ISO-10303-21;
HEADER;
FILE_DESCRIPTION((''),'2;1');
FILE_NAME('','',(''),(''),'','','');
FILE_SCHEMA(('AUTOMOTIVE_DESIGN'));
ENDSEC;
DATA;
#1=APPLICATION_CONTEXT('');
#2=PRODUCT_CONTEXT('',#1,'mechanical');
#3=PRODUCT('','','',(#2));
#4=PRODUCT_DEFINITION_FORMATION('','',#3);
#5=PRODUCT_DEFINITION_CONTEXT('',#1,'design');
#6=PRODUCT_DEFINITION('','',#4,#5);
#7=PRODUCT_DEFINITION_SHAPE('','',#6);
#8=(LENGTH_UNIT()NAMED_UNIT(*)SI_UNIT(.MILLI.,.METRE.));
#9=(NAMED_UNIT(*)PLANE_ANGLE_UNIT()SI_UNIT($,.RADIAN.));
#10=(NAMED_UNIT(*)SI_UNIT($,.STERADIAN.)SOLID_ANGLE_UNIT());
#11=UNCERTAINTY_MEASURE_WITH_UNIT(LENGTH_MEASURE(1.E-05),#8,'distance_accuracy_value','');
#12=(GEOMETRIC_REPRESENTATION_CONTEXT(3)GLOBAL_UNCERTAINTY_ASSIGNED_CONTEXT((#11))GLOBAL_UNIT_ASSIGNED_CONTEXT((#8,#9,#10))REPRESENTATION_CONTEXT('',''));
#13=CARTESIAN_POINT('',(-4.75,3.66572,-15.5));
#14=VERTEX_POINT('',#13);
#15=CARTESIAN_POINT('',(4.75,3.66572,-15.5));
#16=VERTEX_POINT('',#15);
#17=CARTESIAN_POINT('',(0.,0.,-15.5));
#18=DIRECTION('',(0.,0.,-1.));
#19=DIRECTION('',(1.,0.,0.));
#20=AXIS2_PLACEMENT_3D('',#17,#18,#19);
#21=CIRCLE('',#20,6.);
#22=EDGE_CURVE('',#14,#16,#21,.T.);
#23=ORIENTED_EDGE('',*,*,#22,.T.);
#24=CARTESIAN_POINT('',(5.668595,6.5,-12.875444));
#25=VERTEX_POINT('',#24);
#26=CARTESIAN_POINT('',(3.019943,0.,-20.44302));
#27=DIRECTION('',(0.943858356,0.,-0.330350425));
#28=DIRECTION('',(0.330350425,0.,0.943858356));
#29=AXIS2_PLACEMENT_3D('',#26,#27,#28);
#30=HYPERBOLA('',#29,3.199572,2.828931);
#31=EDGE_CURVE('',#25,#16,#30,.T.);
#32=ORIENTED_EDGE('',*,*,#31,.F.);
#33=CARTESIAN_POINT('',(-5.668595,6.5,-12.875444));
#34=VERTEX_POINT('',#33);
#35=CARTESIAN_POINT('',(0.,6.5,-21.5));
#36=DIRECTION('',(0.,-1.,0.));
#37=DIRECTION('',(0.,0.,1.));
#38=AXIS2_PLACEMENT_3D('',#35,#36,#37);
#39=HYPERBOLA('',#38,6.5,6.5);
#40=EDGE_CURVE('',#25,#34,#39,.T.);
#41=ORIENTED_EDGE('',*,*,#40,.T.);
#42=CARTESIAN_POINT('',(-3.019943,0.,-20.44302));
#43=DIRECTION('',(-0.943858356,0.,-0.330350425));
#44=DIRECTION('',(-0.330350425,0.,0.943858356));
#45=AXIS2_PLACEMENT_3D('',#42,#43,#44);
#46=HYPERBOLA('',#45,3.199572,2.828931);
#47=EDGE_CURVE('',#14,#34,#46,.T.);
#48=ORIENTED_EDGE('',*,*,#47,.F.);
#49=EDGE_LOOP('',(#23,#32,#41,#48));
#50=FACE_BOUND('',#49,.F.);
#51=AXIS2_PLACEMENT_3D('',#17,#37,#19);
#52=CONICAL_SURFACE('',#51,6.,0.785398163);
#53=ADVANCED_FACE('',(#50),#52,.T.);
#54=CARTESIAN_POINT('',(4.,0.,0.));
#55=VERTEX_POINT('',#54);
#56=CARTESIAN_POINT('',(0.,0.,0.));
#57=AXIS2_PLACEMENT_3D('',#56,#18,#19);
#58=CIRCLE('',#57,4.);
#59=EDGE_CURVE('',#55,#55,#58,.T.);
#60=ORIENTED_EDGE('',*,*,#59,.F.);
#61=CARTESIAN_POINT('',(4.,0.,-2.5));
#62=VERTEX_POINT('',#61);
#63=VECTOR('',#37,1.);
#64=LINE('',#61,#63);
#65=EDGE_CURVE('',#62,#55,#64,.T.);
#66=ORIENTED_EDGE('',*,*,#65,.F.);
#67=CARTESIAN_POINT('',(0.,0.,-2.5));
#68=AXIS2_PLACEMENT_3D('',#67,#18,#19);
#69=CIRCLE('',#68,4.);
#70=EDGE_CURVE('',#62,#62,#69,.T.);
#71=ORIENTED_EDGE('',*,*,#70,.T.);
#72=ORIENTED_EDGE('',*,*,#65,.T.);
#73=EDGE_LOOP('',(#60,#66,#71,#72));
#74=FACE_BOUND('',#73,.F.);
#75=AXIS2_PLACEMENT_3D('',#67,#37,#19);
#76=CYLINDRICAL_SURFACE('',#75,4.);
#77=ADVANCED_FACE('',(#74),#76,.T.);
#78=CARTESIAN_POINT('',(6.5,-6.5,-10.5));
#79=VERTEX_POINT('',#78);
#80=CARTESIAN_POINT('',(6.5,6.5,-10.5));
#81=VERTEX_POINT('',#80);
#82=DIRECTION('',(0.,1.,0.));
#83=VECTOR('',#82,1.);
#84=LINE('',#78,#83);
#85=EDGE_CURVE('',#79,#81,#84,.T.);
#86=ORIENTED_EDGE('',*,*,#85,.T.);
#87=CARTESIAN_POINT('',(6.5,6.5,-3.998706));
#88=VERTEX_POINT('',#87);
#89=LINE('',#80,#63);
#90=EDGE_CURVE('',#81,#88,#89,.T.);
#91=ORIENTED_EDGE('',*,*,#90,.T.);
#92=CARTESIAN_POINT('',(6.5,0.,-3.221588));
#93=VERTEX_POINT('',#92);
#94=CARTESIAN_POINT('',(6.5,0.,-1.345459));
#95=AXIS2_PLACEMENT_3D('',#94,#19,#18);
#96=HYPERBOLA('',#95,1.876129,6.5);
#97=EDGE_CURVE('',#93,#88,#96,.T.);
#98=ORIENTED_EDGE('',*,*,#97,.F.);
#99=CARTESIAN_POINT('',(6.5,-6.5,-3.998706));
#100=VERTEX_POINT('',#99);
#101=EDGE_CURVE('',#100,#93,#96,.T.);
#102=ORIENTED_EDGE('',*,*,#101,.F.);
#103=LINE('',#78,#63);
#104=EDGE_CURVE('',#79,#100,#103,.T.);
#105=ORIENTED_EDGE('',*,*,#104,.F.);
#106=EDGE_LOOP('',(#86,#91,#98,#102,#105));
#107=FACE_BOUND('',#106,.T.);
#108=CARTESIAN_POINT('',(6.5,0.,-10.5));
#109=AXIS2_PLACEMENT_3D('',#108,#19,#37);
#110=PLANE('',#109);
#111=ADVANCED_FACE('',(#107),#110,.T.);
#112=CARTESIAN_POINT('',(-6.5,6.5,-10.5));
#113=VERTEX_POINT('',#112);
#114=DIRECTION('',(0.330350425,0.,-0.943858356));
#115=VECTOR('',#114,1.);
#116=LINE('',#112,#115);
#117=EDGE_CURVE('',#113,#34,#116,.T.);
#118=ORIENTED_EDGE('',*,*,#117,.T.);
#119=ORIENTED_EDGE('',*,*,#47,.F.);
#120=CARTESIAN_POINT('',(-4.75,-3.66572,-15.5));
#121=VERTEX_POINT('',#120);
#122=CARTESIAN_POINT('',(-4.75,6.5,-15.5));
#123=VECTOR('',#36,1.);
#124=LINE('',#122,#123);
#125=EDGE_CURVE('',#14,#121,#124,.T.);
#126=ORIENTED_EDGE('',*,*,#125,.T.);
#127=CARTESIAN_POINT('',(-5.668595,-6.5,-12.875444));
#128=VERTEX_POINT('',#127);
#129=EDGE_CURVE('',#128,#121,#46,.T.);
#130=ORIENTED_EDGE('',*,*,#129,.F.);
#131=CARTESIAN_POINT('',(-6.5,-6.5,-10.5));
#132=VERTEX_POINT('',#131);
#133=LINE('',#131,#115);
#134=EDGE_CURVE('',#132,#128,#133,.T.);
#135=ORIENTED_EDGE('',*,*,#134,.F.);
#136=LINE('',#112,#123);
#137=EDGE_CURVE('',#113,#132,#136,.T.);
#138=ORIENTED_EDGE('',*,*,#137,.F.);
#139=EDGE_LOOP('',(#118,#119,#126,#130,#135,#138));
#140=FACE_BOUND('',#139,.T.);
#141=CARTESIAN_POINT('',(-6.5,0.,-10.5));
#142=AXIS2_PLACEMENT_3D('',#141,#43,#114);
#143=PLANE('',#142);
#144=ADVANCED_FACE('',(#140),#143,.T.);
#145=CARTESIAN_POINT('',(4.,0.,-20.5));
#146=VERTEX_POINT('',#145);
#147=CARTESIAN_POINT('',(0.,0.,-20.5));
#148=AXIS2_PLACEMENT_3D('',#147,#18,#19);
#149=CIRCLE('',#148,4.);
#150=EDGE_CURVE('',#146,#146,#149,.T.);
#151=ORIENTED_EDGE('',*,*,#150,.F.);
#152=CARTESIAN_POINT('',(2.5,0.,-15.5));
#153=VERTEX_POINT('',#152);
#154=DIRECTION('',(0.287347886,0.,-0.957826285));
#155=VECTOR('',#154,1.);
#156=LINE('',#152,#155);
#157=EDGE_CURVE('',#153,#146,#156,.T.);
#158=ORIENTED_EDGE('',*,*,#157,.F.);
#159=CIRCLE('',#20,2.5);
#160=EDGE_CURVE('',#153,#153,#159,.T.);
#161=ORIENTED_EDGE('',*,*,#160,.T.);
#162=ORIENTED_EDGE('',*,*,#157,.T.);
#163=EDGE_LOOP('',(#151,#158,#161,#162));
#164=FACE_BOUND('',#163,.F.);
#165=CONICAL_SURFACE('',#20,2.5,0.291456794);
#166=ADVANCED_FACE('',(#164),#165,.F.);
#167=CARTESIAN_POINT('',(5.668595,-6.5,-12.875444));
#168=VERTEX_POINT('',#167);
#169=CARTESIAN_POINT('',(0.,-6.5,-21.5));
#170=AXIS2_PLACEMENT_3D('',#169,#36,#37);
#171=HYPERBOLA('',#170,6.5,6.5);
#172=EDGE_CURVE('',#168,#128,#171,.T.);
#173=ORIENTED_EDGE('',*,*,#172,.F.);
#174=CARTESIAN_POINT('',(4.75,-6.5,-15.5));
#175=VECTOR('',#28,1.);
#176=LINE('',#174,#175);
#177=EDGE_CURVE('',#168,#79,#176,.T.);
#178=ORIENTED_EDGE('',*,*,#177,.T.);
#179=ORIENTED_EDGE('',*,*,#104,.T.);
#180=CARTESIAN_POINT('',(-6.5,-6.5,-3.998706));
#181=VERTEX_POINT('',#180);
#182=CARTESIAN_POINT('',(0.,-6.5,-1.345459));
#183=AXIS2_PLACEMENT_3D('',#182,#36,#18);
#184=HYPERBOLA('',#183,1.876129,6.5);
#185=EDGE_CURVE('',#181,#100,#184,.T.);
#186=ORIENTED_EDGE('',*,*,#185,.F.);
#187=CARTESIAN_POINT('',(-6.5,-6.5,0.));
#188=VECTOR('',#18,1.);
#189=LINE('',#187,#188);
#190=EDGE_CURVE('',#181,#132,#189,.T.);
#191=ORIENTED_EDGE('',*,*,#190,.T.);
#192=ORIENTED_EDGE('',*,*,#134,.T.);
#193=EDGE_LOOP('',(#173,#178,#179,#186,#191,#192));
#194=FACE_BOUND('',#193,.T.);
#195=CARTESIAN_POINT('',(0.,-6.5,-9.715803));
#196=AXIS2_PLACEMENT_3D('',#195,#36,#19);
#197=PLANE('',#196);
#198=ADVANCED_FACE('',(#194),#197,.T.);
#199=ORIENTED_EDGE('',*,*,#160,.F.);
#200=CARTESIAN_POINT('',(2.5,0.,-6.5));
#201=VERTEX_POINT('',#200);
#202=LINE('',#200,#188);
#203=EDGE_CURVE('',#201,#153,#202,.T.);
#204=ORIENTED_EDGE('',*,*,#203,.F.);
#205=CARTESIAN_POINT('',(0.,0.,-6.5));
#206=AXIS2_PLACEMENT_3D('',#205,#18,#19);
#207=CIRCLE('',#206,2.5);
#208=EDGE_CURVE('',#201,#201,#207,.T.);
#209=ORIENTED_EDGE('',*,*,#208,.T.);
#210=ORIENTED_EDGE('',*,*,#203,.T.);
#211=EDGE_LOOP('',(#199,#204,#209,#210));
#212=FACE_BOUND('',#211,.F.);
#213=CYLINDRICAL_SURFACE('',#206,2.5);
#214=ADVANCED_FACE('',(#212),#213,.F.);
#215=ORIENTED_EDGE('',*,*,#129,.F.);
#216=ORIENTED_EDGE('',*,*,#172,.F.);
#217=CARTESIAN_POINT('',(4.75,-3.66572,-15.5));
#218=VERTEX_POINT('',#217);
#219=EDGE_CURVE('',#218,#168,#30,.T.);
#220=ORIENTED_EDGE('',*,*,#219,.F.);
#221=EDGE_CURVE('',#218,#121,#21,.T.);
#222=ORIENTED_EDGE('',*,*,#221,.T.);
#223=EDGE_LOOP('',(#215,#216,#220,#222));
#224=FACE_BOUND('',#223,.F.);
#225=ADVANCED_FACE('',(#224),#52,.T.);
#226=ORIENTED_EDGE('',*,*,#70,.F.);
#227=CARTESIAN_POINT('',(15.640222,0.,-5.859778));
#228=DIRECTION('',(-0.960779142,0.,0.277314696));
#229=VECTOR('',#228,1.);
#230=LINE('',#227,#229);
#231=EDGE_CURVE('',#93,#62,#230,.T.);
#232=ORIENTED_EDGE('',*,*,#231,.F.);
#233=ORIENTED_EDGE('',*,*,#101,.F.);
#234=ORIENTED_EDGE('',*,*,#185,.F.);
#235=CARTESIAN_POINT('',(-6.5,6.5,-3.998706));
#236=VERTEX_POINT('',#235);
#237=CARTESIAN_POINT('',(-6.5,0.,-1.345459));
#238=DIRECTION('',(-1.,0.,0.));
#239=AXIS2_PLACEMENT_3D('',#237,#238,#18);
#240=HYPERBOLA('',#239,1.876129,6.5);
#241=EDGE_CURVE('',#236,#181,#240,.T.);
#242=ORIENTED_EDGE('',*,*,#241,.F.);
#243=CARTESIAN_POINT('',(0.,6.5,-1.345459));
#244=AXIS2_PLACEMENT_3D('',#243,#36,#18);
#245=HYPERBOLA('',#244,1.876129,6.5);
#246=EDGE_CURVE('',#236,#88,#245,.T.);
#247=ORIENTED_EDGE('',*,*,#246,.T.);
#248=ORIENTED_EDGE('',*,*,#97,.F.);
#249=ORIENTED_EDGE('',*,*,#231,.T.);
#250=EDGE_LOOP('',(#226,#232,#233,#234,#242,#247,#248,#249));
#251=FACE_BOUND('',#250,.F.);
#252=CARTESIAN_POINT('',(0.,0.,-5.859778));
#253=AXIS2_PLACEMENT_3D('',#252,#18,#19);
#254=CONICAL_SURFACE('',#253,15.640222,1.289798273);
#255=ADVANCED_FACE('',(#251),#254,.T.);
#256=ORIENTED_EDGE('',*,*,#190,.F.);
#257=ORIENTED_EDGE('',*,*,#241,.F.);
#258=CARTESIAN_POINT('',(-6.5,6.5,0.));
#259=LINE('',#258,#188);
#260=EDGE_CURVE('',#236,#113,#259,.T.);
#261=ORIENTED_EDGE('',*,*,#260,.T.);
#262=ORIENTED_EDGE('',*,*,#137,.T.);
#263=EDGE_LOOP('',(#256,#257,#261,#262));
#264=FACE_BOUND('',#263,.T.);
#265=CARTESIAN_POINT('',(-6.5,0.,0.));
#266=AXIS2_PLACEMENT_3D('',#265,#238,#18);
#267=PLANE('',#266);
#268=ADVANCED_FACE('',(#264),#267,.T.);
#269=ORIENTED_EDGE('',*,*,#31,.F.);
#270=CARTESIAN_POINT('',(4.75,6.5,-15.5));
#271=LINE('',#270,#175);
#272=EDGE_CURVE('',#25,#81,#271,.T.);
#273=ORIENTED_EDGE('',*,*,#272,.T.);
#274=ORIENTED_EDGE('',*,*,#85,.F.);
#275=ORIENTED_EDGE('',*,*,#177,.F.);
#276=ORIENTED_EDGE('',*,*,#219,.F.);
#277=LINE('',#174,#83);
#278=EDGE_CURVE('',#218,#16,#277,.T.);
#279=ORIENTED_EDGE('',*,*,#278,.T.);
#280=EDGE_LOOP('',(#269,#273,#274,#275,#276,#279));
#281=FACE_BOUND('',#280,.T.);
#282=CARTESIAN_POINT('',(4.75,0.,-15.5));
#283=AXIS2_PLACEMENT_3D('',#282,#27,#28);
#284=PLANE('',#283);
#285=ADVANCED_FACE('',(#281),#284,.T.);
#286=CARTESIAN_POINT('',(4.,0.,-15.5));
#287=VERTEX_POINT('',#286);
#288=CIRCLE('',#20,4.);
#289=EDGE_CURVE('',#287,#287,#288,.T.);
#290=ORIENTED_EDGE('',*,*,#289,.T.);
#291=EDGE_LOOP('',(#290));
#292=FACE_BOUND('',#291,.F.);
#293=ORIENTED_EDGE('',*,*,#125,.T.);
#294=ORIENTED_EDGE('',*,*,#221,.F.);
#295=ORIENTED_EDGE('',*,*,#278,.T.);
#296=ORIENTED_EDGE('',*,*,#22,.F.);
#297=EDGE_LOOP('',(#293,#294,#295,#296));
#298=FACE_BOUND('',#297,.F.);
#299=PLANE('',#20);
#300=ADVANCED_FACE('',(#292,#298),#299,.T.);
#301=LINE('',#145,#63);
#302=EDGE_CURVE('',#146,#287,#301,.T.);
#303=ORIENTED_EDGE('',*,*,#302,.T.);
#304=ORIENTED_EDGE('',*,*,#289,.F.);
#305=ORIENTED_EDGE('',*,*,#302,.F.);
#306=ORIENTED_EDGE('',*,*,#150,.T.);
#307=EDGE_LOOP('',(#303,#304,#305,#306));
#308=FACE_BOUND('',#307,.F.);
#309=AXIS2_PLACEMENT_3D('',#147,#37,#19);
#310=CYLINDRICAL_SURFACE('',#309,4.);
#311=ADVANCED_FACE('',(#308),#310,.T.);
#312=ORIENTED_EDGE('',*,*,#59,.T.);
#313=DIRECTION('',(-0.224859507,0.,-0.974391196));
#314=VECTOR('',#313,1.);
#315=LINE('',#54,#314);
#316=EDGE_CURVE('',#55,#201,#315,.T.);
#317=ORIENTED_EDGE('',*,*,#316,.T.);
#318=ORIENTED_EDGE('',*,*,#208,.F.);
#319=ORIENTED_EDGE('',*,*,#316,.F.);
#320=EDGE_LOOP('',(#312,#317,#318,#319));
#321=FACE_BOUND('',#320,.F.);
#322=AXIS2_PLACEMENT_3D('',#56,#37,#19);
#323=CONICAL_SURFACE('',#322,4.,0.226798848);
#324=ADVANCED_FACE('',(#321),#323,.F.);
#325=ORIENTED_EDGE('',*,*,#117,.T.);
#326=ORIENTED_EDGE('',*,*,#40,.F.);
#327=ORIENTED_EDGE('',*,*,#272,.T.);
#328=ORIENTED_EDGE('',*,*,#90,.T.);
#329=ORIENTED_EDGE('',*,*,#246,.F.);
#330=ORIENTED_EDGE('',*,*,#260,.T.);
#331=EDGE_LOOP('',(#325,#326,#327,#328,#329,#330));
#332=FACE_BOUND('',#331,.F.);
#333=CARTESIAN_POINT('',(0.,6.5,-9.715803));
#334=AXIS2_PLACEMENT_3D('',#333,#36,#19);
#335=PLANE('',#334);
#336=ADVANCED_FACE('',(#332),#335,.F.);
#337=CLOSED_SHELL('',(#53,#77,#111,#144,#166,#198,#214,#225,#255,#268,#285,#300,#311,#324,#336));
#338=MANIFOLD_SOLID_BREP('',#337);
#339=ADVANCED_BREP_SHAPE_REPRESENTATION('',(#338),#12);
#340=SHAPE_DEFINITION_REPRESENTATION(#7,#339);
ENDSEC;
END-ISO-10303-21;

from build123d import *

# Parameters (mm, degrees)
F3_DEPTH = 6.5


with BuildPart() as f1:
    # F0 (on Front) → F1 (revolve)
    with BuildSketch(Plane.XZ):
        Polygon((4, -2.5), (4, 0), (2.5, -6.5), (2.5, -15.5), (4, -20.5), (4, -15.5), (6, -15.5), (15.640222, -5.859778), align=None)
    revolve(axis=Axis((0, 0, 0.112359), (0, 0, -1)))

    # F2 (on Front) → F3 (intersect, symmetric)
    with BuildSketch(Plane.XZ):
        Polygon((6.5, 0), (4, 0), (-4, 0), (-6.5, 0), (-6.5, -10.5), (-4.75, -15.5), (-4.75, -20.5), (0, -20.5), (4.75, -20.5), (4.75, -15.5), (6.5, -10.5), align=None)
    extrude(amount=F3_DEPTH, both=True, mode=Mode.INTERSECT)


solid = f1.part
